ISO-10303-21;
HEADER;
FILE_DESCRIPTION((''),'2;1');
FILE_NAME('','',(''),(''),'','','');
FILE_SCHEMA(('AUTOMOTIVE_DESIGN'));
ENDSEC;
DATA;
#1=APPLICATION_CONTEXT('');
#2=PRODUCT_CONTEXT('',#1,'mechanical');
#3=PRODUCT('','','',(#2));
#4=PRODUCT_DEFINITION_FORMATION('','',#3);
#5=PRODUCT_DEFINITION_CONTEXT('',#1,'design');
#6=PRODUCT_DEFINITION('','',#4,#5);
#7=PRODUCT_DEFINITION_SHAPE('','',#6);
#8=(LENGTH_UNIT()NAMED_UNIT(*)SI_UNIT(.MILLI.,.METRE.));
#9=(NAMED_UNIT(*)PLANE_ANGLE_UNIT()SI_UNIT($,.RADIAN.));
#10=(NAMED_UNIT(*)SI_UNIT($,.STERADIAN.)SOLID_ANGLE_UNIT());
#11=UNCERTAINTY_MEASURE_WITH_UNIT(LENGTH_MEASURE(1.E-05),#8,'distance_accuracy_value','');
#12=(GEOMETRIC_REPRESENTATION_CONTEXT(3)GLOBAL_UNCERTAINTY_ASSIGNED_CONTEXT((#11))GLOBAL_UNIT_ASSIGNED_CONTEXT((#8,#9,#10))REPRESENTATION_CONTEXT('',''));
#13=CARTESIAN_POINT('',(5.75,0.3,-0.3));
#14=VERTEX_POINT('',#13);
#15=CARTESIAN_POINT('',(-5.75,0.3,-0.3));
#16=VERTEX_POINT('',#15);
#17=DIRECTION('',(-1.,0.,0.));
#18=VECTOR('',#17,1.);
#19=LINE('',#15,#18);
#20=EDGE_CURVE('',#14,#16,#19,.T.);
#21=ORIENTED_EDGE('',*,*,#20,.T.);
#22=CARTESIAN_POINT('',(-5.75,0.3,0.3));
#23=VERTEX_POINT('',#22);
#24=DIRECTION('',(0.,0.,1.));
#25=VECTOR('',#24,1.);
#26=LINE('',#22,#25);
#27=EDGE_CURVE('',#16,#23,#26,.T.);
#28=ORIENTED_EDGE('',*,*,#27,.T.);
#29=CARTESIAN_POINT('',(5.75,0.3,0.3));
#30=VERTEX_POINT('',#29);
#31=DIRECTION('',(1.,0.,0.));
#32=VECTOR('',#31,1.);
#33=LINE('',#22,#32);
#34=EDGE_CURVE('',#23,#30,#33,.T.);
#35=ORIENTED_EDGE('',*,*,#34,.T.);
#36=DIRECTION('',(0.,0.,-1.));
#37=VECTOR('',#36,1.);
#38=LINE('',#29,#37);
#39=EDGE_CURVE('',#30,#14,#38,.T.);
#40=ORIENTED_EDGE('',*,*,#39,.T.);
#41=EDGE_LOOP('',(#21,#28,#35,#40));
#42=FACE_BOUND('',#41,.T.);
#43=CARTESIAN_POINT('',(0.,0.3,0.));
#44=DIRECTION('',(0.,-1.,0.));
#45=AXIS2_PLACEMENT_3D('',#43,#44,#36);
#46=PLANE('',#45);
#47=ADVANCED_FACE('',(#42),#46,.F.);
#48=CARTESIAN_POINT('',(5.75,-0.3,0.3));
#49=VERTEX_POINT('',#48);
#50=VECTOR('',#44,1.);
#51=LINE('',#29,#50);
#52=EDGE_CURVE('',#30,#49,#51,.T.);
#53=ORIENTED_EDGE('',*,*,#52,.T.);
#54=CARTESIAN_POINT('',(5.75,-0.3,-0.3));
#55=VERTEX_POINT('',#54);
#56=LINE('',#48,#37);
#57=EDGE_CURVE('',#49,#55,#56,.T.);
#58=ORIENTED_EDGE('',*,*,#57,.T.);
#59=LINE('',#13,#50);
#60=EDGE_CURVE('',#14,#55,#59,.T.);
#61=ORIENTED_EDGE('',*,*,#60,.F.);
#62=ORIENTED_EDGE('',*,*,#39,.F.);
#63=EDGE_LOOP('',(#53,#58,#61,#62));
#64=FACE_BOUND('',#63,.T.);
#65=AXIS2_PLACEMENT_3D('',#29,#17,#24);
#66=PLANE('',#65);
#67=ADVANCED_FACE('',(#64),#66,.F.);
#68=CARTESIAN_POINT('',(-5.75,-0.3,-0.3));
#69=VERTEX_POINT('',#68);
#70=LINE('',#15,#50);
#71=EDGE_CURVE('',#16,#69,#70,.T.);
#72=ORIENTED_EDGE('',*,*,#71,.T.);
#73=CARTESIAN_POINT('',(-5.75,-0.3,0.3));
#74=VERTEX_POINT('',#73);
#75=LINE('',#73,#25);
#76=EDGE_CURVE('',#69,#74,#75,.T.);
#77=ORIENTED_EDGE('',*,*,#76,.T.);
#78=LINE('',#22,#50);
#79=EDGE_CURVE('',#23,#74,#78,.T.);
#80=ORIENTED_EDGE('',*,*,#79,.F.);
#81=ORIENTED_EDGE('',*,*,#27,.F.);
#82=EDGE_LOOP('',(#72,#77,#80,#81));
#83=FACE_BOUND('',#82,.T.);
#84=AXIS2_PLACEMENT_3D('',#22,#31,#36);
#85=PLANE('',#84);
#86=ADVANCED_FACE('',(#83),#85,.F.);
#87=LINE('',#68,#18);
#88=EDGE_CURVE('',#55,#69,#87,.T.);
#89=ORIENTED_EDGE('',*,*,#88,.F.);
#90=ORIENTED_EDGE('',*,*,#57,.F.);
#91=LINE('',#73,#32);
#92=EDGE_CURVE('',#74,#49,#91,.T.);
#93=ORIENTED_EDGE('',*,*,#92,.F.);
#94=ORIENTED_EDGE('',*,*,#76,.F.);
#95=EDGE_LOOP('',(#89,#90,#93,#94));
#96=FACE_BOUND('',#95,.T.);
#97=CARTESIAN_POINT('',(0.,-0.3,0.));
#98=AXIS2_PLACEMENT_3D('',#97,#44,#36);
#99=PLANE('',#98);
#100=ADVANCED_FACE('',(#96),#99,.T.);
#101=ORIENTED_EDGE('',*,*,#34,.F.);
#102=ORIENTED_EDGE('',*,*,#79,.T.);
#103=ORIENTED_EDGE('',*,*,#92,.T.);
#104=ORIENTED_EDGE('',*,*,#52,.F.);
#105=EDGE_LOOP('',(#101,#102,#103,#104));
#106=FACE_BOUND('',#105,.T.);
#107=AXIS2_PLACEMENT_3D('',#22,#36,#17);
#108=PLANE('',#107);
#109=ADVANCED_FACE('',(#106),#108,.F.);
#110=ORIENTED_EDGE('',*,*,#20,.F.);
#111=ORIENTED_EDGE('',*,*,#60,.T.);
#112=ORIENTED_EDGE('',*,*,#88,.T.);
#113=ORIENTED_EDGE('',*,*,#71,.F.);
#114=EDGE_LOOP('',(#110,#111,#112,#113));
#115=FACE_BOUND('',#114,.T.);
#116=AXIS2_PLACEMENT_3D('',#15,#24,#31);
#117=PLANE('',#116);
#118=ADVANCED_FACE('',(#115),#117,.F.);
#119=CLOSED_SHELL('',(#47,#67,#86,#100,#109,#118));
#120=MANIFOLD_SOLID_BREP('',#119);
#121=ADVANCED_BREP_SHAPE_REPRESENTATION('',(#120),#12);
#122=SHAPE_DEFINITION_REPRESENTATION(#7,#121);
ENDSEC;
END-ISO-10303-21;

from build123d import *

# Parameters (mm, degrees)
SKETCH1_W           = 11.5
SKETCH1_H           = 0.6
BOSS_EXTRUDE2_DEPTH = 0.3


with BuildPart() as part:
    # Sketch1 → Boss-Extrude2 (new body, symmetric)
    with BuildSketch(Plane(origin=(0, 0, 0), x_dir=(1, 0, 0), z_dir=(0, 1, 0))):
        Rectangle(SKETCH1_W, SKETCH1_H)
    extrude(amount=BOSS_EXTRUDE2_DEPTH, both=True)


solid = part.part
